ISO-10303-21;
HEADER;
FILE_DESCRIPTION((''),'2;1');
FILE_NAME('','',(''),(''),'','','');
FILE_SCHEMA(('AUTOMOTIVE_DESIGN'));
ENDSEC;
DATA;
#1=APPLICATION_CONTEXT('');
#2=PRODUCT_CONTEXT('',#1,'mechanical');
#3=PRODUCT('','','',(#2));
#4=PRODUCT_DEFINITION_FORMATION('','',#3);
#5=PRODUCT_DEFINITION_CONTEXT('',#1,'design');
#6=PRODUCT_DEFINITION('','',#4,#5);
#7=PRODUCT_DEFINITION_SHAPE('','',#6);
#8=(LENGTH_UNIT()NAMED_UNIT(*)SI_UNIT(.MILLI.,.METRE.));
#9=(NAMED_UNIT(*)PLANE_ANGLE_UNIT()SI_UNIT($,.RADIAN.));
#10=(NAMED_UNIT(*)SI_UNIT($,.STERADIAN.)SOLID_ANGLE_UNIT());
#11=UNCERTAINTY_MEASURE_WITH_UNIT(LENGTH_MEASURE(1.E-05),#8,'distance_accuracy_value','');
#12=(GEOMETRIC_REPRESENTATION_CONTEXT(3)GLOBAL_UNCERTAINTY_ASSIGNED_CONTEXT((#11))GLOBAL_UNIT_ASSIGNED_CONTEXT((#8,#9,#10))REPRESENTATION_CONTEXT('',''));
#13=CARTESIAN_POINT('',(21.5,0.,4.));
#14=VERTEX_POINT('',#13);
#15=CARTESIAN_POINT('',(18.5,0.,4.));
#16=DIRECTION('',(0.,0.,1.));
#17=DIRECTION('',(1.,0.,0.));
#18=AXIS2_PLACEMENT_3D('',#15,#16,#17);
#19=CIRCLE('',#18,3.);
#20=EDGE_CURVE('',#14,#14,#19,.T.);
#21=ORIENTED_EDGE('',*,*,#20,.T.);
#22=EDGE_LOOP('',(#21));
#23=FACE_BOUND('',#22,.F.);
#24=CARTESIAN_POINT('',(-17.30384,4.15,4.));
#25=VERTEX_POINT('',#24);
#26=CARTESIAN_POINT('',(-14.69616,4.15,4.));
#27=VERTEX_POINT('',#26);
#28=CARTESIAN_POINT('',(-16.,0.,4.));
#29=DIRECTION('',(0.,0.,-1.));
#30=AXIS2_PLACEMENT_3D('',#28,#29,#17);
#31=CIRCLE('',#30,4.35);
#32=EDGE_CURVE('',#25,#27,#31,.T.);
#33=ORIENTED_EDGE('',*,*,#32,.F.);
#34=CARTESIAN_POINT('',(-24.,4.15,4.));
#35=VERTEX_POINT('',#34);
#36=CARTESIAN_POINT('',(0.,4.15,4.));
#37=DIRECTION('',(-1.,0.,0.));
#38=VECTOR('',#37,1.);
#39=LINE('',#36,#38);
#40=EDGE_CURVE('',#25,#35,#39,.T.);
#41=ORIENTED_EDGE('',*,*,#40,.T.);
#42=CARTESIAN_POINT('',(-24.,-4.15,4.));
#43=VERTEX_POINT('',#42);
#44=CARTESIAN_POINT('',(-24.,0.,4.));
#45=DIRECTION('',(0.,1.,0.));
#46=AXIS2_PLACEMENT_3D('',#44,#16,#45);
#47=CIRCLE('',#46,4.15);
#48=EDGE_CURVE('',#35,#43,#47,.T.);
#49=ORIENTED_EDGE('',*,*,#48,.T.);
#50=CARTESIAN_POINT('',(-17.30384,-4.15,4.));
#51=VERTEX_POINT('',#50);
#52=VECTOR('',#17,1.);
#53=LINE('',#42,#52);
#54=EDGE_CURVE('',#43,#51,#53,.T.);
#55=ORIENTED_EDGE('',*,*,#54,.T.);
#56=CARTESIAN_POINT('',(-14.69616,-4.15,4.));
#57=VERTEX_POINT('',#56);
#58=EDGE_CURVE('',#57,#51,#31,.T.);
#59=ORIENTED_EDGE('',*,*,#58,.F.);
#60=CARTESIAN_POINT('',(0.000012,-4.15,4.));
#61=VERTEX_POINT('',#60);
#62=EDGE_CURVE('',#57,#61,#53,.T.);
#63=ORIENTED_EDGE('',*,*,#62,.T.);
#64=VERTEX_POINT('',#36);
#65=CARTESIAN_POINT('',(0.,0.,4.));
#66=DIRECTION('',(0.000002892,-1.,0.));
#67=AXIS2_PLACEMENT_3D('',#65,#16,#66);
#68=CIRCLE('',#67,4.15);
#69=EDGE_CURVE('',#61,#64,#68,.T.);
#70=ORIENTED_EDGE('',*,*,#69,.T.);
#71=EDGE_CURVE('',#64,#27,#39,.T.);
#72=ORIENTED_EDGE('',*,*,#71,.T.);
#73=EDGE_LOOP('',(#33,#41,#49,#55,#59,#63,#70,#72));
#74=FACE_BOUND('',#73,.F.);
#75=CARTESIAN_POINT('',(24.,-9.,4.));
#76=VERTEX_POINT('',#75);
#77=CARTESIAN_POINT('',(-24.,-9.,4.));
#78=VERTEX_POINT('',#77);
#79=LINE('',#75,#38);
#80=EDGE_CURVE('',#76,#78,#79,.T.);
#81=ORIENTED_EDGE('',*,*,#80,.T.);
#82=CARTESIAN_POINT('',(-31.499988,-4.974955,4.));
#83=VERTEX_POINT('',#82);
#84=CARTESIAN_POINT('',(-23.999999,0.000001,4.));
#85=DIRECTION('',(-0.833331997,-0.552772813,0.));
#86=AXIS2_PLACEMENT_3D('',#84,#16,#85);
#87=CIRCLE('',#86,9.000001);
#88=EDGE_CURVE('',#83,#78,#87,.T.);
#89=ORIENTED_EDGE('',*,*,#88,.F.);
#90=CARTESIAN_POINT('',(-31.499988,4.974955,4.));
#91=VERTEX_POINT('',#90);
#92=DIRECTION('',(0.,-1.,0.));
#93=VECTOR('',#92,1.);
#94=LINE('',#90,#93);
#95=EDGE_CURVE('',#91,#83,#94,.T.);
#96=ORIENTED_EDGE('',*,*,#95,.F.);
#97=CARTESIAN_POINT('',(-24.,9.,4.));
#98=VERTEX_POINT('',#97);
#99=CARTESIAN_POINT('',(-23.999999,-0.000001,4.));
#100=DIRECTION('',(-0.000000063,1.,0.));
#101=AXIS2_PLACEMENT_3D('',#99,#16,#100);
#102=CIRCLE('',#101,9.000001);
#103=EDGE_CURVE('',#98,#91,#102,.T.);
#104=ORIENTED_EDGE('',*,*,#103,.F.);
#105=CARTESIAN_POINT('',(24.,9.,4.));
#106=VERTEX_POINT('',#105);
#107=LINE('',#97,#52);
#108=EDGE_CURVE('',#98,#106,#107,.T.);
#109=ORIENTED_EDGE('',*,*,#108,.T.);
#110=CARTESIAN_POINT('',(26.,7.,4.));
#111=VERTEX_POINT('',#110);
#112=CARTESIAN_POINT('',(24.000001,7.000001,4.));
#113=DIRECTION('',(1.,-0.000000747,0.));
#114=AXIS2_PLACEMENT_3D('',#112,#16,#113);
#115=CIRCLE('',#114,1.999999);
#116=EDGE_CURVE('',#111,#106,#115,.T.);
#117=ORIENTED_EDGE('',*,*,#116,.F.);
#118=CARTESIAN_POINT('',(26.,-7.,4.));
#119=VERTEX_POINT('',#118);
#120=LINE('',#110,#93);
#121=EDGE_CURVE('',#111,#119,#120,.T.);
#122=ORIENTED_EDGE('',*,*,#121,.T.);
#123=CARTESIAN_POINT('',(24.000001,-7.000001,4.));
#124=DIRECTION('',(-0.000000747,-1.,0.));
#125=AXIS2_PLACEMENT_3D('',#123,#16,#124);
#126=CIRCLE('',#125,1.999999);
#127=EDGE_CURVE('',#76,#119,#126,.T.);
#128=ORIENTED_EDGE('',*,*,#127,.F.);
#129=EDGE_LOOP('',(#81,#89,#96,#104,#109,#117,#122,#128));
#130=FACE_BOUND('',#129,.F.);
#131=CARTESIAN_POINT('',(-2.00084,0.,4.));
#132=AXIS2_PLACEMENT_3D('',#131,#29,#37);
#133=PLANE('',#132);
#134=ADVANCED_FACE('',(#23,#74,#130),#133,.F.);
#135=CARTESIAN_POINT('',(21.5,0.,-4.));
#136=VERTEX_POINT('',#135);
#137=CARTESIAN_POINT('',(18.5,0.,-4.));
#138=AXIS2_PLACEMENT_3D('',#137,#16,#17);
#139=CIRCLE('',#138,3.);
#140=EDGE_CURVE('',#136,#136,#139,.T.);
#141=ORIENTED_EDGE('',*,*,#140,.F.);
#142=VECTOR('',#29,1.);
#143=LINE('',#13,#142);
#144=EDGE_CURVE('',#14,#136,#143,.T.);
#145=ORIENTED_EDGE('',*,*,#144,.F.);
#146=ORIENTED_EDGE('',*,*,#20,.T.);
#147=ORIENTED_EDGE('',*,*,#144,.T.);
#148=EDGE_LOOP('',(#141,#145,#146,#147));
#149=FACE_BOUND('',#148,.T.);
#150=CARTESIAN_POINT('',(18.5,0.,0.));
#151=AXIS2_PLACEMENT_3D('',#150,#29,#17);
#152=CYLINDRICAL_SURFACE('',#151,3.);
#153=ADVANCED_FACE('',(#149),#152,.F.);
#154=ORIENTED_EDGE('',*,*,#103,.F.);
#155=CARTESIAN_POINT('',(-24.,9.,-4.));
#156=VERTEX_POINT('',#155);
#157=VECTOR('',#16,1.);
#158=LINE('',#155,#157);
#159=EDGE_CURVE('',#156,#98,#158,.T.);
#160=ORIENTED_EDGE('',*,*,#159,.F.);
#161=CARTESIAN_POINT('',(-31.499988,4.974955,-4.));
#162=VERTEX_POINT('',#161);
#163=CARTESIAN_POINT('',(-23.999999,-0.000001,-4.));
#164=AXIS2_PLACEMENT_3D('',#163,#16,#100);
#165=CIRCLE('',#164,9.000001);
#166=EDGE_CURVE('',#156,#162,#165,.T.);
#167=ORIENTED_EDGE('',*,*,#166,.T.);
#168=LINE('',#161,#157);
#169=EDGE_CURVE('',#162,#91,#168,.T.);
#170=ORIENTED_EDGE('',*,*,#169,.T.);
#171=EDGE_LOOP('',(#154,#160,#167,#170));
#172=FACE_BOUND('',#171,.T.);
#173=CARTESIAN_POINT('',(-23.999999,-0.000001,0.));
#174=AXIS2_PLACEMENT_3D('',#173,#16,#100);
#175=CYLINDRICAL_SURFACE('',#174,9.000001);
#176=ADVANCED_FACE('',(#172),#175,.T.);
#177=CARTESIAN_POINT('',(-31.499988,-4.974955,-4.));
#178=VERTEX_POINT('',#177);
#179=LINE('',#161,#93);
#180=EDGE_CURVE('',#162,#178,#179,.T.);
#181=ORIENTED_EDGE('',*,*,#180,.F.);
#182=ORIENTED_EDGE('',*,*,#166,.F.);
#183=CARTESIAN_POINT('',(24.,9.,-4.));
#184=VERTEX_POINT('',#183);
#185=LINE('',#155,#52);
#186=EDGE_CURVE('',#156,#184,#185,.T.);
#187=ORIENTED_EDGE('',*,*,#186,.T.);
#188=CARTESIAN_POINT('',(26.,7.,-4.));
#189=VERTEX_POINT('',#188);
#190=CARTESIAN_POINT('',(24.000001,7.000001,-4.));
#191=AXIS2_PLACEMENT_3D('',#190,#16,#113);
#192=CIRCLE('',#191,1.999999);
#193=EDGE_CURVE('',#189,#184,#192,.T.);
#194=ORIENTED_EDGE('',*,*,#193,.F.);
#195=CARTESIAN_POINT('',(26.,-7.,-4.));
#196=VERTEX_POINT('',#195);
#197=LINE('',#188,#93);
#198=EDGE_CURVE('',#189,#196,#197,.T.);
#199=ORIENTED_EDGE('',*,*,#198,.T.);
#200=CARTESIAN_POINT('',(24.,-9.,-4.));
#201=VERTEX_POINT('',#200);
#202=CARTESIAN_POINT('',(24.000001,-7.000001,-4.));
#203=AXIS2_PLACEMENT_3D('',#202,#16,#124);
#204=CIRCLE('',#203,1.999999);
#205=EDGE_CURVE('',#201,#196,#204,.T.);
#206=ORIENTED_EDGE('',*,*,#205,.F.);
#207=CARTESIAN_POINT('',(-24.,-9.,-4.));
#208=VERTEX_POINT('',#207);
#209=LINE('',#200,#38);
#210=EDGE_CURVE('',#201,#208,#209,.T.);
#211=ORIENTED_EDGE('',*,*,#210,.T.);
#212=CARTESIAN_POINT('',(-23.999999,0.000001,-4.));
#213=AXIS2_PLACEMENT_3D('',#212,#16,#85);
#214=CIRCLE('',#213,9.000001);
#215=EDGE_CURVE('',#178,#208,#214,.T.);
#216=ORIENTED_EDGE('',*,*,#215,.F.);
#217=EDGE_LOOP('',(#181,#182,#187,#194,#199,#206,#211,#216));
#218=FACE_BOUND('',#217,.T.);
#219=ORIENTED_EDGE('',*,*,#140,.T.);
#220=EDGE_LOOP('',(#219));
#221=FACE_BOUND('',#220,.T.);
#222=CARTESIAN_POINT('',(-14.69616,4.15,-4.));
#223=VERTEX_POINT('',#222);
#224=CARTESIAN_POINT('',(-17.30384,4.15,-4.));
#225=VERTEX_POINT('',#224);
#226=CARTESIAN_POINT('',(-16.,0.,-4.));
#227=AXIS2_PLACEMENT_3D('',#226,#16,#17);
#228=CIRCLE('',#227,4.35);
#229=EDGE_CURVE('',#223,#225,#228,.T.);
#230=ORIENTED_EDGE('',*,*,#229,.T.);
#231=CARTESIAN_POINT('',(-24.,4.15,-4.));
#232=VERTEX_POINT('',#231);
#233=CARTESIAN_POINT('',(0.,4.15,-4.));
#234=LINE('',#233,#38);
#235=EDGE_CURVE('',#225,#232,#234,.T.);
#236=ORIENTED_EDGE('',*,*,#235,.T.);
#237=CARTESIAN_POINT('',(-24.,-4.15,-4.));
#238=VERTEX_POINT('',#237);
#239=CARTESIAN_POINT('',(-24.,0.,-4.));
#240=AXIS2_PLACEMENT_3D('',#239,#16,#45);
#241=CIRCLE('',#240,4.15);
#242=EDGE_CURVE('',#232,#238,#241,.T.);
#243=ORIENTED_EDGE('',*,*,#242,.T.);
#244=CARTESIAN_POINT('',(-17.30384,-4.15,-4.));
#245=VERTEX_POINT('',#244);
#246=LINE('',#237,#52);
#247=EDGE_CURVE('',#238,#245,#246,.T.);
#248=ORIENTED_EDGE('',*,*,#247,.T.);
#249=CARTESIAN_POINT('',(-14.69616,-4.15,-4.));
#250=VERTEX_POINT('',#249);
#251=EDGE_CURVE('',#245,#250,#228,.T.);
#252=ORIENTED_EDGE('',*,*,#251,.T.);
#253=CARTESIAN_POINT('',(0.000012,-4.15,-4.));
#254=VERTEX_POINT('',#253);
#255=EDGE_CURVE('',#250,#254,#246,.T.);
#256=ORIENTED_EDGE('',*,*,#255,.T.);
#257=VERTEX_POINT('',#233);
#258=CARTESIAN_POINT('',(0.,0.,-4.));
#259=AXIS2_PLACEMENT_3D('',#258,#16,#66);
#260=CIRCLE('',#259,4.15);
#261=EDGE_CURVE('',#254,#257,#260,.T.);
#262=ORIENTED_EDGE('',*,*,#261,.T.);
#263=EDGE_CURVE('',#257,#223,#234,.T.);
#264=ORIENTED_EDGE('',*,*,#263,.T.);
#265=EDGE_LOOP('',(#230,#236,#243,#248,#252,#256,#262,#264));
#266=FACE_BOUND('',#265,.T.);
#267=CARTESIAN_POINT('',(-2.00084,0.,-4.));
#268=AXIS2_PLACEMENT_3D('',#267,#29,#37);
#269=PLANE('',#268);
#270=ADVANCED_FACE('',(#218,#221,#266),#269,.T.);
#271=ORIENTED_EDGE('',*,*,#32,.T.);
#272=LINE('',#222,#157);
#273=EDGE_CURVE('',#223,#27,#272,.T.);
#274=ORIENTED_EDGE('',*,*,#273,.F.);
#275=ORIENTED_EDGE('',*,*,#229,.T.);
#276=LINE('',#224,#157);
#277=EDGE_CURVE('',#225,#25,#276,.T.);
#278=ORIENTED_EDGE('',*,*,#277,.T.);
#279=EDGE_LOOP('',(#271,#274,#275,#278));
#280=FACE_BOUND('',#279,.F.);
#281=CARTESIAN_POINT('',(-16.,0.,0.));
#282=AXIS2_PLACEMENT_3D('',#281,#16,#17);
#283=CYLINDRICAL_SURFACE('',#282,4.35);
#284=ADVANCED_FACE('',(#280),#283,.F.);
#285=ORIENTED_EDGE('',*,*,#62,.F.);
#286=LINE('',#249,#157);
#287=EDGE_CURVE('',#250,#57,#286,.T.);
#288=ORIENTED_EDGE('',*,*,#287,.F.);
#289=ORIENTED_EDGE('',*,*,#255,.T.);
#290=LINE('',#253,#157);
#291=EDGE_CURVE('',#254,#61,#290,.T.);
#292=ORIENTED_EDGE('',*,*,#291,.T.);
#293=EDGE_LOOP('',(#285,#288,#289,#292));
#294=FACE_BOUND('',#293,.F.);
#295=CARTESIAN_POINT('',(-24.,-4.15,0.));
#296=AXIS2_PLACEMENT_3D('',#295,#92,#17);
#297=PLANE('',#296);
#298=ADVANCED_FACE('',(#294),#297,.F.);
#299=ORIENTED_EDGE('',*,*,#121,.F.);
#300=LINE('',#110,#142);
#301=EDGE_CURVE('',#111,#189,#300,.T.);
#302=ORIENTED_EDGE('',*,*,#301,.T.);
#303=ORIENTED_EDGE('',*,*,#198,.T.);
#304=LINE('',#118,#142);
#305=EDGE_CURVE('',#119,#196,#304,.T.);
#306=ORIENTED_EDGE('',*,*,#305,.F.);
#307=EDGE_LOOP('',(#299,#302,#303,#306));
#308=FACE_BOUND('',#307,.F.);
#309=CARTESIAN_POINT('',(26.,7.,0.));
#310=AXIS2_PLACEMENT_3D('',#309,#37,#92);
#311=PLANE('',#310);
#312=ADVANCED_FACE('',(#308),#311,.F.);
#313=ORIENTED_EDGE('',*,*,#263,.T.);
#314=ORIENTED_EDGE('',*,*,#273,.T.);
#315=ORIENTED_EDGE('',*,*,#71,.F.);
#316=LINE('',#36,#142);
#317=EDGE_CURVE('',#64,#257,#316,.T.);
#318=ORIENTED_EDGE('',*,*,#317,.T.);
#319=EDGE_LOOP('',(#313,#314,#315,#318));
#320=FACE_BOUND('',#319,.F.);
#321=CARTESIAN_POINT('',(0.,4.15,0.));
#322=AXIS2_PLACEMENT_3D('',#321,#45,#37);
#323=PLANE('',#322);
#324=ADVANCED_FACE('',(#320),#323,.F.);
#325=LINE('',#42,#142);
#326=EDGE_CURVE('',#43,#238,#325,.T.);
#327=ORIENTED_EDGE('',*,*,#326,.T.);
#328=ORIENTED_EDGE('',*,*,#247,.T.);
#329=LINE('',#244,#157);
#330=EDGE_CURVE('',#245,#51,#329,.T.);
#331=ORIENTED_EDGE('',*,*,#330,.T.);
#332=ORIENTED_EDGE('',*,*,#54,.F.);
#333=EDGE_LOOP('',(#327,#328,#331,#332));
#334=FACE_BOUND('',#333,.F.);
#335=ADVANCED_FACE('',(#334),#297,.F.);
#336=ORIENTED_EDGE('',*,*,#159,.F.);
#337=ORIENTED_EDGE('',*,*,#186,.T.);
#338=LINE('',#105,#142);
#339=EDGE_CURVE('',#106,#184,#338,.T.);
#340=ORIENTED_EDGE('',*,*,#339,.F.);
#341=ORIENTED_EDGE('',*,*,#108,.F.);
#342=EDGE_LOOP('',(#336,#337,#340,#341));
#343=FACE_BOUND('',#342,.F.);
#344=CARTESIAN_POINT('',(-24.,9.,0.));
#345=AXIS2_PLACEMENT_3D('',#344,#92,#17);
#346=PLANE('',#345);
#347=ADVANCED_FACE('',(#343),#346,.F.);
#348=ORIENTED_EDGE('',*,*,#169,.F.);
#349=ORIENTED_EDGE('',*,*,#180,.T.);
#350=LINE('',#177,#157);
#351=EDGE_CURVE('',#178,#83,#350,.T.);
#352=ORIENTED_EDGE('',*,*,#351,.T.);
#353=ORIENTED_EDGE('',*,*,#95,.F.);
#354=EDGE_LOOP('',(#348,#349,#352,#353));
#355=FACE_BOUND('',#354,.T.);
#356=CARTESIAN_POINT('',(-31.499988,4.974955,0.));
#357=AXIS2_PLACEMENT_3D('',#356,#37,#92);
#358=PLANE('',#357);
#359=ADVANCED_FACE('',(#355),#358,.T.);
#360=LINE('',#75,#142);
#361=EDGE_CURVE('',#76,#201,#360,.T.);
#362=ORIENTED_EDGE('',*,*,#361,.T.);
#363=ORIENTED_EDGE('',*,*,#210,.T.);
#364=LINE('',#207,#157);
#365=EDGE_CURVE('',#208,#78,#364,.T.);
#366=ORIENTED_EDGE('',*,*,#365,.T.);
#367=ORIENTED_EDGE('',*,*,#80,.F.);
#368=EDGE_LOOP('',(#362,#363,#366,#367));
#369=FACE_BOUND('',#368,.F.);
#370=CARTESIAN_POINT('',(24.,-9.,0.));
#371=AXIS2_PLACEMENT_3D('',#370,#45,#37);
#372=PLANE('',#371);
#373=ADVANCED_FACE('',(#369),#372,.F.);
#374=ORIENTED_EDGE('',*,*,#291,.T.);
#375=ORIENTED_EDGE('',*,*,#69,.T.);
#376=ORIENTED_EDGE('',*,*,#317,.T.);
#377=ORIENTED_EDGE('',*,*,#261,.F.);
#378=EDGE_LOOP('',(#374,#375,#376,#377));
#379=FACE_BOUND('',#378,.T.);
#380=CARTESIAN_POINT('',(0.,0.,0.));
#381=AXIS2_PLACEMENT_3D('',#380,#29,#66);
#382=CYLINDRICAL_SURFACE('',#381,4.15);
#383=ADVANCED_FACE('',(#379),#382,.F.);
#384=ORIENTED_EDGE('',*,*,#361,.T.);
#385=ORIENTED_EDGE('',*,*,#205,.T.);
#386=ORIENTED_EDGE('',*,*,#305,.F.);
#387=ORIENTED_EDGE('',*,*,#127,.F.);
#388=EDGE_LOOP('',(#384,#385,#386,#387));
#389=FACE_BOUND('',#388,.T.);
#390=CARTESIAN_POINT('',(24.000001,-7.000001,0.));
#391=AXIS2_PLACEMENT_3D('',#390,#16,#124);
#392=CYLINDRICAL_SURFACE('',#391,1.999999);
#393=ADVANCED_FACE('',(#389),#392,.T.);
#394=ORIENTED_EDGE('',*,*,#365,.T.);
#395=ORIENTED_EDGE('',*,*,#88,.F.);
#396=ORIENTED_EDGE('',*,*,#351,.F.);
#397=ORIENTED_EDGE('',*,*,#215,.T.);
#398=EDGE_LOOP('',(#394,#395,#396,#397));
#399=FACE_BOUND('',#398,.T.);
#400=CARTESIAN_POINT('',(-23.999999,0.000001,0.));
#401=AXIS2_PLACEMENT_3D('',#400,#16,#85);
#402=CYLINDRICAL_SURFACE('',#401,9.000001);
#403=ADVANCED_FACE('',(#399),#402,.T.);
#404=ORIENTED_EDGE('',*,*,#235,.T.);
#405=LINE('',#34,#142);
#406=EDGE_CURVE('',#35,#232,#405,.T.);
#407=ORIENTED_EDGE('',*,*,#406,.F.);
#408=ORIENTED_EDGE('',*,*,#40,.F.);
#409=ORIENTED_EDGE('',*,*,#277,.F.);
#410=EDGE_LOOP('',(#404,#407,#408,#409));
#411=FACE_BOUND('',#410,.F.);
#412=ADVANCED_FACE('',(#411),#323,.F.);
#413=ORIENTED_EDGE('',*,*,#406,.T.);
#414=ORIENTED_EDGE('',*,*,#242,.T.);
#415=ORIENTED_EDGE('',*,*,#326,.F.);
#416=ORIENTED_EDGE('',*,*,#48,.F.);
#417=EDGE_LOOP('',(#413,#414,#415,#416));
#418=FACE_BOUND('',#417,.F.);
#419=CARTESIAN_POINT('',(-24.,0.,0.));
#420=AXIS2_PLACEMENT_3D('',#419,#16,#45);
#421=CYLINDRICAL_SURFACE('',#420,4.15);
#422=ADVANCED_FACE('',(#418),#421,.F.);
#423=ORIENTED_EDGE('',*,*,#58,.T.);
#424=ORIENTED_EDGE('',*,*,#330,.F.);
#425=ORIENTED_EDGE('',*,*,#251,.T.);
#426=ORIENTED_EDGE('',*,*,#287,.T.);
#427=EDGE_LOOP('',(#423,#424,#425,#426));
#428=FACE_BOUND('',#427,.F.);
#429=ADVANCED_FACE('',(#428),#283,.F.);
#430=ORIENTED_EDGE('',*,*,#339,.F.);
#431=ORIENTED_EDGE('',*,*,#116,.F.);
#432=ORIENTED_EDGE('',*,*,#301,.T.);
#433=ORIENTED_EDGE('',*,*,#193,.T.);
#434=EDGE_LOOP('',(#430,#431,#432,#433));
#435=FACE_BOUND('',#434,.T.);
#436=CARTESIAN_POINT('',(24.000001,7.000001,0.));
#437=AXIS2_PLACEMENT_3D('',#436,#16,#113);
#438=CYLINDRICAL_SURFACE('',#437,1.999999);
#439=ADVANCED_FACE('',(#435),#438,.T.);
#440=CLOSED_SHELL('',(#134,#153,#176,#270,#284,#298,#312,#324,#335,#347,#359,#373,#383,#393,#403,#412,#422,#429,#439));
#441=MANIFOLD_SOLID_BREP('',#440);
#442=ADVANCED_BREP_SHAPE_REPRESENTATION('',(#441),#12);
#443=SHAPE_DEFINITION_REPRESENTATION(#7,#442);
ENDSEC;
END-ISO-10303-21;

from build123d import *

# Parameters (mm, degrees)
SKETCH_R          = 3
PAD_DEPTH         = 4
SKETCH001_R       = 4.35
POCKET_DEPTH      = 4.001
POCKET_DEPTH_BACK = -4.001


with BuildPart() as part:
    # Sketch → Pad (new body, symmetric)
    with BuildSketch(Plane.XY):
        with BuildLine():
            Line((-24, 9), (24, 9))
            ThreePointArc((26, 7), (25.414214, 8.414214), (24, 9))
            Line((26, 7), (26, -7))
            ThreePointArc((24, -9), (25.414214, -8.414214), (26, -7))
            Line((24, -9), (-24, -9))
            ThreePointArc((-31.499988, -4.974955), (-28.255902, -7.930151), (-24, -9))
            Line((-31.499988, 4.974955), (-31.499988, -4.974955))
            ThreePointArc((-24, 9), (-28.255902, 7.930151), (-31.499988, 4.974955))
        make_face()
        with Locations((18.5, 0)):
            Circle(SKETCH_R, mode=Mode.SUBTRACT)
        with BuildLine():
            ThreePointArc((1.2e-05, -4.15), (4.15, 6e-06), (0, 4.15))
            Line((0, 4.15), (-24, 4.15))
            ThreePointArc((-24, 4.15), (-28.15, 0), (-24, -4.15))
            Line((-24, -4.15), (1.2e-05, -4.15))
        make_face(mode=Mode.SUBTRACT)
    extrude(amount=PAD_DEPTH, both=True)

    # Sketch001 → Pocket (cut, two sides)
    with BuildSketch(Plane.XY) as pocket_sk:
        with Locations((-16, 0)):
            Circle(SKETCH001_R)
    extrude(amount=-POCKET_DEPTH, mode=Mode.SUBTRACT)
    extrude(pocket_sk.sketch, amount=-POCKET_DEPTH_BACK, mode=Mode.SUBTRACT)


solid = part.part
